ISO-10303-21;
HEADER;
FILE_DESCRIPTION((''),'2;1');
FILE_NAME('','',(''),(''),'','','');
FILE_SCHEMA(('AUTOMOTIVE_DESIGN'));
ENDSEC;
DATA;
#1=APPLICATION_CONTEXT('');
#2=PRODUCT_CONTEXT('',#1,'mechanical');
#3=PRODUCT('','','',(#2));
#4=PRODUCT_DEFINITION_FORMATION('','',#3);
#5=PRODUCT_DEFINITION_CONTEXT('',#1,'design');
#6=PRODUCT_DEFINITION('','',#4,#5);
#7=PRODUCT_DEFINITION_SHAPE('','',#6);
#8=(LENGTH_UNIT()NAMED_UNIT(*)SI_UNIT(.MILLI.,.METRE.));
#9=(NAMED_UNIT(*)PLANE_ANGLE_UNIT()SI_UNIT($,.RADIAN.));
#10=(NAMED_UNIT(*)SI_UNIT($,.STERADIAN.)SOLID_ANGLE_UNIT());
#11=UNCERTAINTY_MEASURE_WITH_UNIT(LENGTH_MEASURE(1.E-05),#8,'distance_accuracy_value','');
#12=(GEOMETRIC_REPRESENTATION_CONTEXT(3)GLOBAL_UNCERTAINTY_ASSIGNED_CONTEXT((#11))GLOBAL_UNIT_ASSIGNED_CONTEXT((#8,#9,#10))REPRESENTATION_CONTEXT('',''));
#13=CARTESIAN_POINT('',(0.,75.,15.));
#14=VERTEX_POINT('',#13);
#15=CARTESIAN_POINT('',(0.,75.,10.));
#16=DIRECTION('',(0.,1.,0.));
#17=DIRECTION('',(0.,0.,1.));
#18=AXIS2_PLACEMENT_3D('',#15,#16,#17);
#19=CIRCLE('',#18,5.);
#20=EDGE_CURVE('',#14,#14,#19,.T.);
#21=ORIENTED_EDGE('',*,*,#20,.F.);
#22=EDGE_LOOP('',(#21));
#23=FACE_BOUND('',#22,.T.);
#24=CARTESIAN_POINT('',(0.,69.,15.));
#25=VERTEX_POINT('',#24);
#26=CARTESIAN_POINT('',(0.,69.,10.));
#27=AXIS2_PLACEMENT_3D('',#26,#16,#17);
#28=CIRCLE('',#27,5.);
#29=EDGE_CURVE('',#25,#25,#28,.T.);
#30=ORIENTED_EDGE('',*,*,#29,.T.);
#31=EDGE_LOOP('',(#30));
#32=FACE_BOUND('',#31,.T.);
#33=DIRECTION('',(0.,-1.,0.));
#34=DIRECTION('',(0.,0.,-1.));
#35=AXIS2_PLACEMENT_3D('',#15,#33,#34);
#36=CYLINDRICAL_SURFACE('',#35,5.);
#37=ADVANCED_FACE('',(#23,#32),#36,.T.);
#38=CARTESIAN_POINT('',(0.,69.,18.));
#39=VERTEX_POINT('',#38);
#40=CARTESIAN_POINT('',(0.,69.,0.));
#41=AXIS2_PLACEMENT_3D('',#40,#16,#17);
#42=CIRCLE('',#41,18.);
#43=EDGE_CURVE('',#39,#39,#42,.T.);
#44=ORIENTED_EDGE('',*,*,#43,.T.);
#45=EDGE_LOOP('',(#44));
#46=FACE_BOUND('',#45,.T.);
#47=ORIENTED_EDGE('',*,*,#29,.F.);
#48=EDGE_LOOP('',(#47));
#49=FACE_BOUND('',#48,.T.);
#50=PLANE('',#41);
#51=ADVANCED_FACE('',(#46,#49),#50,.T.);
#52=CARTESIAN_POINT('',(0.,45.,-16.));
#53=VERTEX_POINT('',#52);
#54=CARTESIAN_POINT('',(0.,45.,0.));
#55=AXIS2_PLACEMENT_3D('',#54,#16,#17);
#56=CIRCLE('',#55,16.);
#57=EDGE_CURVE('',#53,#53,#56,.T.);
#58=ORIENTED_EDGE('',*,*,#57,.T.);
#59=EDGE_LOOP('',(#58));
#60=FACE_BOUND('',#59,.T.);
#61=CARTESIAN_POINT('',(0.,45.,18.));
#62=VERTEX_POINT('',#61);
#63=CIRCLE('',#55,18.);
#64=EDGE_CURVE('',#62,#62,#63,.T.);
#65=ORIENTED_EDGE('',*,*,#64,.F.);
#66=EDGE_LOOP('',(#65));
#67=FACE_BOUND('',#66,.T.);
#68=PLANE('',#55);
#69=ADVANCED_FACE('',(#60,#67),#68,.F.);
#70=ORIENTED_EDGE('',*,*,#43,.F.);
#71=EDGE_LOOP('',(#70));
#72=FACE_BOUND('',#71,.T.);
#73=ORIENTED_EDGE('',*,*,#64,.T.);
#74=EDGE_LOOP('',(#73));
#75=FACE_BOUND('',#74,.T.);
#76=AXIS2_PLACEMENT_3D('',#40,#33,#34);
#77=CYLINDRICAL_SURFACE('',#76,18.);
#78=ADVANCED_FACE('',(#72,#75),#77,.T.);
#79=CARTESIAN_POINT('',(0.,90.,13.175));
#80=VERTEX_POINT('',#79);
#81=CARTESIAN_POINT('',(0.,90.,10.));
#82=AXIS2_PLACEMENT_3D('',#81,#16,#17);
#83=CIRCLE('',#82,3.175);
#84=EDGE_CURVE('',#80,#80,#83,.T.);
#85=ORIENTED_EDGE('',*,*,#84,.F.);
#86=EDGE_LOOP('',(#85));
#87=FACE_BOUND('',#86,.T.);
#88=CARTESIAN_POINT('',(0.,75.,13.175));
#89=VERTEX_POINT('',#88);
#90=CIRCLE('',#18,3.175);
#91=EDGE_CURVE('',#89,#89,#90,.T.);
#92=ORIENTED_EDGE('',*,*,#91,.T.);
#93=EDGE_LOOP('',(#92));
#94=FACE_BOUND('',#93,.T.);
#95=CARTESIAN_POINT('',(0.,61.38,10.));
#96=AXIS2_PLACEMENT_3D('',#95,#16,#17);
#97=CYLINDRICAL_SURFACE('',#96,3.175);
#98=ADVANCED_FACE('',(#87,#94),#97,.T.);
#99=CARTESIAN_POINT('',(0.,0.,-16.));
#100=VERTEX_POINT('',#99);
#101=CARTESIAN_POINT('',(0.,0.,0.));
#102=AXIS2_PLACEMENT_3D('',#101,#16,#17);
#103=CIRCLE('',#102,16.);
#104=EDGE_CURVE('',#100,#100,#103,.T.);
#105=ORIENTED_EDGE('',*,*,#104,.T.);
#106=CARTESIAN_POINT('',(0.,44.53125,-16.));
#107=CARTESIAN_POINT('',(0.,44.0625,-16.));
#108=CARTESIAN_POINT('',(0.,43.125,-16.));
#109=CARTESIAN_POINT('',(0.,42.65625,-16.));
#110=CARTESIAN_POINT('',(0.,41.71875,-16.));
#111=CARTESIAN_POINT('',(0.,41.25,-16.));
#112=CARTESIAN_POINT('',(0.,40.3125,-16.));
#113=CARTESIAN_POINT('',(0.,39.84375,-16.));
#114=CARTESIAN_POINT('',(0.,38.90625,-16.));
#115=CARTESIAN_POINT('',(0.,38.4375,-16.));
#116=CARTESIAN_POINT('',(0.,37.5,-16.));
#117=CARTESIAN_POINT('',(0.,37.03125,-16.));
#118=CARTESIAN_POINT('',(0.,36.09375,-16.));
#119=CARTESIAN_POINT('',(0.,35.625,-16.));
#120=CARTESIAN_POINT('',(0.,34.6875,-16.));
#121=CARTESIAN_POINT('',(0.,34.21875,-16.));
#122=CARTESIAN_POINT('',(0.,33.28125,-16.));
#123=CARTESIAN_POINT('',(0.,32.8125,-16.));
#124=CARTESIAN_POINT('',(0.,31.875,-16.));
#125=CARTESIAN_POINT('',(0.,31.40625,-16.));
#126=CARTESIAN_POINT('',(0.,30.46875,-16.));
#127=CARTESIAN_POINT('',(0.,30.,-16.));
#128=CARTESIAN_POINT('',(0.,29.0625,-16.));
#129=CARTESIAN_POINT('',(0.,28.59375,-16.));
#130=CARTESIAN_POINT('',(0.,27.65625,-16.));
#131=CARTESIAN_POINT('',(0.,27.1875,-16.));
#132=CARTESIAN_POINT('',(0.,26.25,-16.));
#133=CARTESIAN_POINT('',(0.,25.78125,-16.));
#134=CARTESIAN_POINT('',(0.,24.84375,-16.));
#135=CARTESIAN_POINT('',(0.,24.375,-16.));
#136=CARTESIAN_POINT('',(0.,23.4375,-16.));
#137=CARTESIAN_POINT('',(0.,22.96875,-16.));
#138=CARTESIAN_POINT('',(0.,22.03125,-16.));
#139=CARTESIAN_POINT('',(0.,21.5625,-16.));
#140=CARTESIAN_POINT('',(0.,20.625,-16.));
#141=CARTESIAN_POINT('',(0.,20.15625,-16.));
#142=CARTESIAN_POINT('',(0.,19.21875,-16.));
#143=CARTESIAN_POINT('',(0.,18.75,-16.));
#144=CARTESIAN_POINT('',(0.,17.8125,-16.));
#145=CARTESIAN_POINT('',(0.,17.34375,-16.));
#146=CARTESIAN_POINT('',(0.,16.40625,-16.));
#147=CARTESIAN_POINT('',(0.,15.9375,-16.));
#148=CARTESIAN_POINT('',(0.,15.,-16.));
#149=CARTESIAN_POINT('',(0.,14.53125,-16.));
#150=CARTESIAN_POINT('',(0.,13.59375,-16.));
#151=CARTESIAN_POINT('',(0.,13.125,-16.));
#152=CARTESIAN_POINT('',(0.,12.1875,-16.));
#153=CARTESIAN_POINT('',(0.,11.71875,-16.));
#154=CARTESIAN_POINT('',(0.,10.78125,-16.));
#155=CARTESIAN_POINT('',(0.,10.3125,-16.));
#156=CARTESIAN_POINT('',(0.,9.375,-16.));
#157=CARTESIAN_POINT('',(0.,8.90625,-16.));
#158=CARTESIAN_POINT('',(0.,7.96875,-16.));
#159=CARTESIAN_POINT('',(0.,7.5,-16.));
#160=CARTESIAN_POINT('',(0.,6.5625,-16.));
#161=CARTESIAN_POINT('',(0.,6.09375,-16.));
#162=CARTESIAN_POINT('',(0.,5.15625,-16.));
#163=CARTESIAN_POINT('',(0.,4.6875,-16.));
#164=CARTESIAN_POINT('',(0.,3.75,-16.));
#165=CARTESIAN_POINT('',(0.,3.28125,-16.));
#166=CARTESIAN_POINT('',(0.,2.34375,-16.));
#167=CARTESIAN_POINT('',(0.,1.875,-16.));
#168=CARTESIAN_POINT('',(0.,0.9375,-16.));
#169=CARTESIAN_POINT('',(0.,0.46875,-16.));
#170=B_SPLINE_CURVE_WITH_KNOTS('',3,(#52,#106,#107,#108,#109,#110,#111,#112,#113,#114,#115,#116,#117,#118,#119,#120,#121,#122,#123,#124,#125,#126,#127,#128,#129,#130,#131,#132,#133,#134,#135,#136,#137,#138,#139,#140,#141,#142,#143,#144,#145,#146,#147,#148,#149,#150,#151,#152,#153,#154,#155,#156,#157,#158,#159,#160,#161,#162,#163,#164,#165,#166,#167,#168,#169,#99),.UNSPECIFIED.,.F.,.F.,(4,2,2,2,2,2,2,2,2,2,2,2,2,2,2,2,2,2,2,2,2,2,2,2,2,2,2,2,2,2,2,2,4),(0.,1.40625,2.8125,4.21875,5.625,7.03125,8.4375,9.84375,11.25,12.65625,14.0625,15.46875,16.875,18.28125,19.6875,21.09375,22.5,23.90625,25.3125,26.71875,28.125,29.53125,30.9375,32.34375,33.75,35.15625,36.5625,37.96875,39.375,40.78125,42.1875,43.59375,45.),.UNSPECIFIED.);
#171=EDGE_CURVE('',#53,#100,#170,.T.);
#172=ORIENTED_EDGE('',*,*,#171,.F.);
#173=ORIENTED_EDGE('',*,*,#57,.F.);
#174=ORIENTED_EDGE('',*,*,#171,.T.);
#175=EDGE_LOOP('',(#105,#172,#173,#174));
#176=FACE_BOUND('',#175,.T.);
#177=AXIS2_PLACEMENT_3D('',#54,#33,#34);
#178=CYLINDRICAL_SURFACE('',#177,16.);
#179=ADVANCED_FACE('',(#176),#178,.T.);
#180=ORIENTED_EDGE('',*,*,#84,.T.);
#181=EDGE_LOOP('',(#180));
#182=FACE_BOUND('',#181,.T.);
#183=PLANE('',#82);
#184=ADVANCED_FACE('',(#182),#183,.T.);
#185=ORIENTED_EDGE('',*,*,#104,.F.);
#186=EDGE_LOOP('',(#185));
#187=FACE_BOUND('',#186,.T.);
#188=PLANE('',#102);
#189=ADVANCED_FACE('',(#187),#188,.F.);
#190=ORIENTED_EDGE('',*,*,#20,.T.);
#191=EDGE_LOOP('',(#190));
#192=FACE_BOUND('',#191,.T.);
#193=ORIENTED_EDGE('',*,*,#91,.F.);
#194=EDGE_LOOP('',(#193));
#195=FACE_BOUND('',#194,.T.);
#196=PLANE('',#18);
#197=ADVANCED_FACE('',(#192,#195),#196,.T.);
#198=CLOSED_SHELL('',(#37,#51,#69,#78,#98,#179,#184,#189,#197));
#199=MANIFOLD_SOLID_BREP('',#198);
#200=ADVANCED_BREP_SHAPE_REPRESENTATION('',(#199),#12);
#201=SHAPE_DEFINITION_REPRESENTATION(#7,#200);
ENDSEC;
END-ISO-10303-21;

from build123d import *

# Parameters (mm, degrees)
SKETCH2_R                = 16
BOSS_EXTRUDE1_DEPTH      = 45
SKETCH3_R                = 18
BOSS_EXTRUDE2_DEPTH      = 24
SKETCH4_R                = 5
SKETCH4_R_2              = 3.175
BOSS_EXTRUDE3_DEPTH      = 6
BOSS_EXTRUDE4_DEPTH      = 15
BOSS_EXTRUDE4_DEPTH_BACK = 13.62
SKETCH5_R                = 3.175


with BuildPart() as part:
    # Sketch2 → Boss-Extrude1 (new body)
    with BuildSketch(Plane(origin=(0, 0, 0), x_dir=(1, 0, 0), z_dir=(0, 1, 0))):
        with Locations(Location((0, 0, 0), (0, 0, 90))):
            Circle(SKETCH2_R)
    extrude(amount=BOSS_EXTRUDE1_DEPTH)

    # Sketch3 → Boss-Extrude2 (add)
    with BuildSketch(Plane(origin=(0, 45, 0), x_dir=(1, 0, 0), z_dir=(0, 1, 0))):
        with Locations(Location((0, 0, 0), (0, 0, 270))):
            Circle(SKETCH3_R)
    extrude(amount=BOSS_EXTRUDE2_DEPTH)

    # Sketch4 → Boss-Extrude3 (add)
    with BuildSketch(Plane(origin=(0, 69, 0), x_dir=(1, 0, 0), z_dir=(0, 1, 0))):
        with Locations(Location((0, -10, 0), (0, 0, 270))):
            Circle(SKETCH4_R)
        with Locations(Location((0, -10, 0), (0, 0, 270))):
            Circle(SKETCH4_R_2, mode=Mode.SUBTRACT)
    extrude(amount=BOSS_EXTRUDE3_DEPTH)

    # Sketch5 → Boss-Extrude4 (add, two sides: drawn at the far end of the back side and taken through both)
    with BuildSketch(Plane(origin=(0, 75, 0), x_dir=(1, 0, 0), z_dir=(0, 1, 0)).offset(-BOSS_EXTRUDE4_DEPTH_BACK)):
        with Locations(Location((0, -10, 0), (0, 0, 270))):
            Circle(SKETCH5_R)
    extrude(amount=BOSS_EXTRUDE4_DEPTH + BOSS_EXTRUDE4_DEPTH_BACK)


solid = part.part
